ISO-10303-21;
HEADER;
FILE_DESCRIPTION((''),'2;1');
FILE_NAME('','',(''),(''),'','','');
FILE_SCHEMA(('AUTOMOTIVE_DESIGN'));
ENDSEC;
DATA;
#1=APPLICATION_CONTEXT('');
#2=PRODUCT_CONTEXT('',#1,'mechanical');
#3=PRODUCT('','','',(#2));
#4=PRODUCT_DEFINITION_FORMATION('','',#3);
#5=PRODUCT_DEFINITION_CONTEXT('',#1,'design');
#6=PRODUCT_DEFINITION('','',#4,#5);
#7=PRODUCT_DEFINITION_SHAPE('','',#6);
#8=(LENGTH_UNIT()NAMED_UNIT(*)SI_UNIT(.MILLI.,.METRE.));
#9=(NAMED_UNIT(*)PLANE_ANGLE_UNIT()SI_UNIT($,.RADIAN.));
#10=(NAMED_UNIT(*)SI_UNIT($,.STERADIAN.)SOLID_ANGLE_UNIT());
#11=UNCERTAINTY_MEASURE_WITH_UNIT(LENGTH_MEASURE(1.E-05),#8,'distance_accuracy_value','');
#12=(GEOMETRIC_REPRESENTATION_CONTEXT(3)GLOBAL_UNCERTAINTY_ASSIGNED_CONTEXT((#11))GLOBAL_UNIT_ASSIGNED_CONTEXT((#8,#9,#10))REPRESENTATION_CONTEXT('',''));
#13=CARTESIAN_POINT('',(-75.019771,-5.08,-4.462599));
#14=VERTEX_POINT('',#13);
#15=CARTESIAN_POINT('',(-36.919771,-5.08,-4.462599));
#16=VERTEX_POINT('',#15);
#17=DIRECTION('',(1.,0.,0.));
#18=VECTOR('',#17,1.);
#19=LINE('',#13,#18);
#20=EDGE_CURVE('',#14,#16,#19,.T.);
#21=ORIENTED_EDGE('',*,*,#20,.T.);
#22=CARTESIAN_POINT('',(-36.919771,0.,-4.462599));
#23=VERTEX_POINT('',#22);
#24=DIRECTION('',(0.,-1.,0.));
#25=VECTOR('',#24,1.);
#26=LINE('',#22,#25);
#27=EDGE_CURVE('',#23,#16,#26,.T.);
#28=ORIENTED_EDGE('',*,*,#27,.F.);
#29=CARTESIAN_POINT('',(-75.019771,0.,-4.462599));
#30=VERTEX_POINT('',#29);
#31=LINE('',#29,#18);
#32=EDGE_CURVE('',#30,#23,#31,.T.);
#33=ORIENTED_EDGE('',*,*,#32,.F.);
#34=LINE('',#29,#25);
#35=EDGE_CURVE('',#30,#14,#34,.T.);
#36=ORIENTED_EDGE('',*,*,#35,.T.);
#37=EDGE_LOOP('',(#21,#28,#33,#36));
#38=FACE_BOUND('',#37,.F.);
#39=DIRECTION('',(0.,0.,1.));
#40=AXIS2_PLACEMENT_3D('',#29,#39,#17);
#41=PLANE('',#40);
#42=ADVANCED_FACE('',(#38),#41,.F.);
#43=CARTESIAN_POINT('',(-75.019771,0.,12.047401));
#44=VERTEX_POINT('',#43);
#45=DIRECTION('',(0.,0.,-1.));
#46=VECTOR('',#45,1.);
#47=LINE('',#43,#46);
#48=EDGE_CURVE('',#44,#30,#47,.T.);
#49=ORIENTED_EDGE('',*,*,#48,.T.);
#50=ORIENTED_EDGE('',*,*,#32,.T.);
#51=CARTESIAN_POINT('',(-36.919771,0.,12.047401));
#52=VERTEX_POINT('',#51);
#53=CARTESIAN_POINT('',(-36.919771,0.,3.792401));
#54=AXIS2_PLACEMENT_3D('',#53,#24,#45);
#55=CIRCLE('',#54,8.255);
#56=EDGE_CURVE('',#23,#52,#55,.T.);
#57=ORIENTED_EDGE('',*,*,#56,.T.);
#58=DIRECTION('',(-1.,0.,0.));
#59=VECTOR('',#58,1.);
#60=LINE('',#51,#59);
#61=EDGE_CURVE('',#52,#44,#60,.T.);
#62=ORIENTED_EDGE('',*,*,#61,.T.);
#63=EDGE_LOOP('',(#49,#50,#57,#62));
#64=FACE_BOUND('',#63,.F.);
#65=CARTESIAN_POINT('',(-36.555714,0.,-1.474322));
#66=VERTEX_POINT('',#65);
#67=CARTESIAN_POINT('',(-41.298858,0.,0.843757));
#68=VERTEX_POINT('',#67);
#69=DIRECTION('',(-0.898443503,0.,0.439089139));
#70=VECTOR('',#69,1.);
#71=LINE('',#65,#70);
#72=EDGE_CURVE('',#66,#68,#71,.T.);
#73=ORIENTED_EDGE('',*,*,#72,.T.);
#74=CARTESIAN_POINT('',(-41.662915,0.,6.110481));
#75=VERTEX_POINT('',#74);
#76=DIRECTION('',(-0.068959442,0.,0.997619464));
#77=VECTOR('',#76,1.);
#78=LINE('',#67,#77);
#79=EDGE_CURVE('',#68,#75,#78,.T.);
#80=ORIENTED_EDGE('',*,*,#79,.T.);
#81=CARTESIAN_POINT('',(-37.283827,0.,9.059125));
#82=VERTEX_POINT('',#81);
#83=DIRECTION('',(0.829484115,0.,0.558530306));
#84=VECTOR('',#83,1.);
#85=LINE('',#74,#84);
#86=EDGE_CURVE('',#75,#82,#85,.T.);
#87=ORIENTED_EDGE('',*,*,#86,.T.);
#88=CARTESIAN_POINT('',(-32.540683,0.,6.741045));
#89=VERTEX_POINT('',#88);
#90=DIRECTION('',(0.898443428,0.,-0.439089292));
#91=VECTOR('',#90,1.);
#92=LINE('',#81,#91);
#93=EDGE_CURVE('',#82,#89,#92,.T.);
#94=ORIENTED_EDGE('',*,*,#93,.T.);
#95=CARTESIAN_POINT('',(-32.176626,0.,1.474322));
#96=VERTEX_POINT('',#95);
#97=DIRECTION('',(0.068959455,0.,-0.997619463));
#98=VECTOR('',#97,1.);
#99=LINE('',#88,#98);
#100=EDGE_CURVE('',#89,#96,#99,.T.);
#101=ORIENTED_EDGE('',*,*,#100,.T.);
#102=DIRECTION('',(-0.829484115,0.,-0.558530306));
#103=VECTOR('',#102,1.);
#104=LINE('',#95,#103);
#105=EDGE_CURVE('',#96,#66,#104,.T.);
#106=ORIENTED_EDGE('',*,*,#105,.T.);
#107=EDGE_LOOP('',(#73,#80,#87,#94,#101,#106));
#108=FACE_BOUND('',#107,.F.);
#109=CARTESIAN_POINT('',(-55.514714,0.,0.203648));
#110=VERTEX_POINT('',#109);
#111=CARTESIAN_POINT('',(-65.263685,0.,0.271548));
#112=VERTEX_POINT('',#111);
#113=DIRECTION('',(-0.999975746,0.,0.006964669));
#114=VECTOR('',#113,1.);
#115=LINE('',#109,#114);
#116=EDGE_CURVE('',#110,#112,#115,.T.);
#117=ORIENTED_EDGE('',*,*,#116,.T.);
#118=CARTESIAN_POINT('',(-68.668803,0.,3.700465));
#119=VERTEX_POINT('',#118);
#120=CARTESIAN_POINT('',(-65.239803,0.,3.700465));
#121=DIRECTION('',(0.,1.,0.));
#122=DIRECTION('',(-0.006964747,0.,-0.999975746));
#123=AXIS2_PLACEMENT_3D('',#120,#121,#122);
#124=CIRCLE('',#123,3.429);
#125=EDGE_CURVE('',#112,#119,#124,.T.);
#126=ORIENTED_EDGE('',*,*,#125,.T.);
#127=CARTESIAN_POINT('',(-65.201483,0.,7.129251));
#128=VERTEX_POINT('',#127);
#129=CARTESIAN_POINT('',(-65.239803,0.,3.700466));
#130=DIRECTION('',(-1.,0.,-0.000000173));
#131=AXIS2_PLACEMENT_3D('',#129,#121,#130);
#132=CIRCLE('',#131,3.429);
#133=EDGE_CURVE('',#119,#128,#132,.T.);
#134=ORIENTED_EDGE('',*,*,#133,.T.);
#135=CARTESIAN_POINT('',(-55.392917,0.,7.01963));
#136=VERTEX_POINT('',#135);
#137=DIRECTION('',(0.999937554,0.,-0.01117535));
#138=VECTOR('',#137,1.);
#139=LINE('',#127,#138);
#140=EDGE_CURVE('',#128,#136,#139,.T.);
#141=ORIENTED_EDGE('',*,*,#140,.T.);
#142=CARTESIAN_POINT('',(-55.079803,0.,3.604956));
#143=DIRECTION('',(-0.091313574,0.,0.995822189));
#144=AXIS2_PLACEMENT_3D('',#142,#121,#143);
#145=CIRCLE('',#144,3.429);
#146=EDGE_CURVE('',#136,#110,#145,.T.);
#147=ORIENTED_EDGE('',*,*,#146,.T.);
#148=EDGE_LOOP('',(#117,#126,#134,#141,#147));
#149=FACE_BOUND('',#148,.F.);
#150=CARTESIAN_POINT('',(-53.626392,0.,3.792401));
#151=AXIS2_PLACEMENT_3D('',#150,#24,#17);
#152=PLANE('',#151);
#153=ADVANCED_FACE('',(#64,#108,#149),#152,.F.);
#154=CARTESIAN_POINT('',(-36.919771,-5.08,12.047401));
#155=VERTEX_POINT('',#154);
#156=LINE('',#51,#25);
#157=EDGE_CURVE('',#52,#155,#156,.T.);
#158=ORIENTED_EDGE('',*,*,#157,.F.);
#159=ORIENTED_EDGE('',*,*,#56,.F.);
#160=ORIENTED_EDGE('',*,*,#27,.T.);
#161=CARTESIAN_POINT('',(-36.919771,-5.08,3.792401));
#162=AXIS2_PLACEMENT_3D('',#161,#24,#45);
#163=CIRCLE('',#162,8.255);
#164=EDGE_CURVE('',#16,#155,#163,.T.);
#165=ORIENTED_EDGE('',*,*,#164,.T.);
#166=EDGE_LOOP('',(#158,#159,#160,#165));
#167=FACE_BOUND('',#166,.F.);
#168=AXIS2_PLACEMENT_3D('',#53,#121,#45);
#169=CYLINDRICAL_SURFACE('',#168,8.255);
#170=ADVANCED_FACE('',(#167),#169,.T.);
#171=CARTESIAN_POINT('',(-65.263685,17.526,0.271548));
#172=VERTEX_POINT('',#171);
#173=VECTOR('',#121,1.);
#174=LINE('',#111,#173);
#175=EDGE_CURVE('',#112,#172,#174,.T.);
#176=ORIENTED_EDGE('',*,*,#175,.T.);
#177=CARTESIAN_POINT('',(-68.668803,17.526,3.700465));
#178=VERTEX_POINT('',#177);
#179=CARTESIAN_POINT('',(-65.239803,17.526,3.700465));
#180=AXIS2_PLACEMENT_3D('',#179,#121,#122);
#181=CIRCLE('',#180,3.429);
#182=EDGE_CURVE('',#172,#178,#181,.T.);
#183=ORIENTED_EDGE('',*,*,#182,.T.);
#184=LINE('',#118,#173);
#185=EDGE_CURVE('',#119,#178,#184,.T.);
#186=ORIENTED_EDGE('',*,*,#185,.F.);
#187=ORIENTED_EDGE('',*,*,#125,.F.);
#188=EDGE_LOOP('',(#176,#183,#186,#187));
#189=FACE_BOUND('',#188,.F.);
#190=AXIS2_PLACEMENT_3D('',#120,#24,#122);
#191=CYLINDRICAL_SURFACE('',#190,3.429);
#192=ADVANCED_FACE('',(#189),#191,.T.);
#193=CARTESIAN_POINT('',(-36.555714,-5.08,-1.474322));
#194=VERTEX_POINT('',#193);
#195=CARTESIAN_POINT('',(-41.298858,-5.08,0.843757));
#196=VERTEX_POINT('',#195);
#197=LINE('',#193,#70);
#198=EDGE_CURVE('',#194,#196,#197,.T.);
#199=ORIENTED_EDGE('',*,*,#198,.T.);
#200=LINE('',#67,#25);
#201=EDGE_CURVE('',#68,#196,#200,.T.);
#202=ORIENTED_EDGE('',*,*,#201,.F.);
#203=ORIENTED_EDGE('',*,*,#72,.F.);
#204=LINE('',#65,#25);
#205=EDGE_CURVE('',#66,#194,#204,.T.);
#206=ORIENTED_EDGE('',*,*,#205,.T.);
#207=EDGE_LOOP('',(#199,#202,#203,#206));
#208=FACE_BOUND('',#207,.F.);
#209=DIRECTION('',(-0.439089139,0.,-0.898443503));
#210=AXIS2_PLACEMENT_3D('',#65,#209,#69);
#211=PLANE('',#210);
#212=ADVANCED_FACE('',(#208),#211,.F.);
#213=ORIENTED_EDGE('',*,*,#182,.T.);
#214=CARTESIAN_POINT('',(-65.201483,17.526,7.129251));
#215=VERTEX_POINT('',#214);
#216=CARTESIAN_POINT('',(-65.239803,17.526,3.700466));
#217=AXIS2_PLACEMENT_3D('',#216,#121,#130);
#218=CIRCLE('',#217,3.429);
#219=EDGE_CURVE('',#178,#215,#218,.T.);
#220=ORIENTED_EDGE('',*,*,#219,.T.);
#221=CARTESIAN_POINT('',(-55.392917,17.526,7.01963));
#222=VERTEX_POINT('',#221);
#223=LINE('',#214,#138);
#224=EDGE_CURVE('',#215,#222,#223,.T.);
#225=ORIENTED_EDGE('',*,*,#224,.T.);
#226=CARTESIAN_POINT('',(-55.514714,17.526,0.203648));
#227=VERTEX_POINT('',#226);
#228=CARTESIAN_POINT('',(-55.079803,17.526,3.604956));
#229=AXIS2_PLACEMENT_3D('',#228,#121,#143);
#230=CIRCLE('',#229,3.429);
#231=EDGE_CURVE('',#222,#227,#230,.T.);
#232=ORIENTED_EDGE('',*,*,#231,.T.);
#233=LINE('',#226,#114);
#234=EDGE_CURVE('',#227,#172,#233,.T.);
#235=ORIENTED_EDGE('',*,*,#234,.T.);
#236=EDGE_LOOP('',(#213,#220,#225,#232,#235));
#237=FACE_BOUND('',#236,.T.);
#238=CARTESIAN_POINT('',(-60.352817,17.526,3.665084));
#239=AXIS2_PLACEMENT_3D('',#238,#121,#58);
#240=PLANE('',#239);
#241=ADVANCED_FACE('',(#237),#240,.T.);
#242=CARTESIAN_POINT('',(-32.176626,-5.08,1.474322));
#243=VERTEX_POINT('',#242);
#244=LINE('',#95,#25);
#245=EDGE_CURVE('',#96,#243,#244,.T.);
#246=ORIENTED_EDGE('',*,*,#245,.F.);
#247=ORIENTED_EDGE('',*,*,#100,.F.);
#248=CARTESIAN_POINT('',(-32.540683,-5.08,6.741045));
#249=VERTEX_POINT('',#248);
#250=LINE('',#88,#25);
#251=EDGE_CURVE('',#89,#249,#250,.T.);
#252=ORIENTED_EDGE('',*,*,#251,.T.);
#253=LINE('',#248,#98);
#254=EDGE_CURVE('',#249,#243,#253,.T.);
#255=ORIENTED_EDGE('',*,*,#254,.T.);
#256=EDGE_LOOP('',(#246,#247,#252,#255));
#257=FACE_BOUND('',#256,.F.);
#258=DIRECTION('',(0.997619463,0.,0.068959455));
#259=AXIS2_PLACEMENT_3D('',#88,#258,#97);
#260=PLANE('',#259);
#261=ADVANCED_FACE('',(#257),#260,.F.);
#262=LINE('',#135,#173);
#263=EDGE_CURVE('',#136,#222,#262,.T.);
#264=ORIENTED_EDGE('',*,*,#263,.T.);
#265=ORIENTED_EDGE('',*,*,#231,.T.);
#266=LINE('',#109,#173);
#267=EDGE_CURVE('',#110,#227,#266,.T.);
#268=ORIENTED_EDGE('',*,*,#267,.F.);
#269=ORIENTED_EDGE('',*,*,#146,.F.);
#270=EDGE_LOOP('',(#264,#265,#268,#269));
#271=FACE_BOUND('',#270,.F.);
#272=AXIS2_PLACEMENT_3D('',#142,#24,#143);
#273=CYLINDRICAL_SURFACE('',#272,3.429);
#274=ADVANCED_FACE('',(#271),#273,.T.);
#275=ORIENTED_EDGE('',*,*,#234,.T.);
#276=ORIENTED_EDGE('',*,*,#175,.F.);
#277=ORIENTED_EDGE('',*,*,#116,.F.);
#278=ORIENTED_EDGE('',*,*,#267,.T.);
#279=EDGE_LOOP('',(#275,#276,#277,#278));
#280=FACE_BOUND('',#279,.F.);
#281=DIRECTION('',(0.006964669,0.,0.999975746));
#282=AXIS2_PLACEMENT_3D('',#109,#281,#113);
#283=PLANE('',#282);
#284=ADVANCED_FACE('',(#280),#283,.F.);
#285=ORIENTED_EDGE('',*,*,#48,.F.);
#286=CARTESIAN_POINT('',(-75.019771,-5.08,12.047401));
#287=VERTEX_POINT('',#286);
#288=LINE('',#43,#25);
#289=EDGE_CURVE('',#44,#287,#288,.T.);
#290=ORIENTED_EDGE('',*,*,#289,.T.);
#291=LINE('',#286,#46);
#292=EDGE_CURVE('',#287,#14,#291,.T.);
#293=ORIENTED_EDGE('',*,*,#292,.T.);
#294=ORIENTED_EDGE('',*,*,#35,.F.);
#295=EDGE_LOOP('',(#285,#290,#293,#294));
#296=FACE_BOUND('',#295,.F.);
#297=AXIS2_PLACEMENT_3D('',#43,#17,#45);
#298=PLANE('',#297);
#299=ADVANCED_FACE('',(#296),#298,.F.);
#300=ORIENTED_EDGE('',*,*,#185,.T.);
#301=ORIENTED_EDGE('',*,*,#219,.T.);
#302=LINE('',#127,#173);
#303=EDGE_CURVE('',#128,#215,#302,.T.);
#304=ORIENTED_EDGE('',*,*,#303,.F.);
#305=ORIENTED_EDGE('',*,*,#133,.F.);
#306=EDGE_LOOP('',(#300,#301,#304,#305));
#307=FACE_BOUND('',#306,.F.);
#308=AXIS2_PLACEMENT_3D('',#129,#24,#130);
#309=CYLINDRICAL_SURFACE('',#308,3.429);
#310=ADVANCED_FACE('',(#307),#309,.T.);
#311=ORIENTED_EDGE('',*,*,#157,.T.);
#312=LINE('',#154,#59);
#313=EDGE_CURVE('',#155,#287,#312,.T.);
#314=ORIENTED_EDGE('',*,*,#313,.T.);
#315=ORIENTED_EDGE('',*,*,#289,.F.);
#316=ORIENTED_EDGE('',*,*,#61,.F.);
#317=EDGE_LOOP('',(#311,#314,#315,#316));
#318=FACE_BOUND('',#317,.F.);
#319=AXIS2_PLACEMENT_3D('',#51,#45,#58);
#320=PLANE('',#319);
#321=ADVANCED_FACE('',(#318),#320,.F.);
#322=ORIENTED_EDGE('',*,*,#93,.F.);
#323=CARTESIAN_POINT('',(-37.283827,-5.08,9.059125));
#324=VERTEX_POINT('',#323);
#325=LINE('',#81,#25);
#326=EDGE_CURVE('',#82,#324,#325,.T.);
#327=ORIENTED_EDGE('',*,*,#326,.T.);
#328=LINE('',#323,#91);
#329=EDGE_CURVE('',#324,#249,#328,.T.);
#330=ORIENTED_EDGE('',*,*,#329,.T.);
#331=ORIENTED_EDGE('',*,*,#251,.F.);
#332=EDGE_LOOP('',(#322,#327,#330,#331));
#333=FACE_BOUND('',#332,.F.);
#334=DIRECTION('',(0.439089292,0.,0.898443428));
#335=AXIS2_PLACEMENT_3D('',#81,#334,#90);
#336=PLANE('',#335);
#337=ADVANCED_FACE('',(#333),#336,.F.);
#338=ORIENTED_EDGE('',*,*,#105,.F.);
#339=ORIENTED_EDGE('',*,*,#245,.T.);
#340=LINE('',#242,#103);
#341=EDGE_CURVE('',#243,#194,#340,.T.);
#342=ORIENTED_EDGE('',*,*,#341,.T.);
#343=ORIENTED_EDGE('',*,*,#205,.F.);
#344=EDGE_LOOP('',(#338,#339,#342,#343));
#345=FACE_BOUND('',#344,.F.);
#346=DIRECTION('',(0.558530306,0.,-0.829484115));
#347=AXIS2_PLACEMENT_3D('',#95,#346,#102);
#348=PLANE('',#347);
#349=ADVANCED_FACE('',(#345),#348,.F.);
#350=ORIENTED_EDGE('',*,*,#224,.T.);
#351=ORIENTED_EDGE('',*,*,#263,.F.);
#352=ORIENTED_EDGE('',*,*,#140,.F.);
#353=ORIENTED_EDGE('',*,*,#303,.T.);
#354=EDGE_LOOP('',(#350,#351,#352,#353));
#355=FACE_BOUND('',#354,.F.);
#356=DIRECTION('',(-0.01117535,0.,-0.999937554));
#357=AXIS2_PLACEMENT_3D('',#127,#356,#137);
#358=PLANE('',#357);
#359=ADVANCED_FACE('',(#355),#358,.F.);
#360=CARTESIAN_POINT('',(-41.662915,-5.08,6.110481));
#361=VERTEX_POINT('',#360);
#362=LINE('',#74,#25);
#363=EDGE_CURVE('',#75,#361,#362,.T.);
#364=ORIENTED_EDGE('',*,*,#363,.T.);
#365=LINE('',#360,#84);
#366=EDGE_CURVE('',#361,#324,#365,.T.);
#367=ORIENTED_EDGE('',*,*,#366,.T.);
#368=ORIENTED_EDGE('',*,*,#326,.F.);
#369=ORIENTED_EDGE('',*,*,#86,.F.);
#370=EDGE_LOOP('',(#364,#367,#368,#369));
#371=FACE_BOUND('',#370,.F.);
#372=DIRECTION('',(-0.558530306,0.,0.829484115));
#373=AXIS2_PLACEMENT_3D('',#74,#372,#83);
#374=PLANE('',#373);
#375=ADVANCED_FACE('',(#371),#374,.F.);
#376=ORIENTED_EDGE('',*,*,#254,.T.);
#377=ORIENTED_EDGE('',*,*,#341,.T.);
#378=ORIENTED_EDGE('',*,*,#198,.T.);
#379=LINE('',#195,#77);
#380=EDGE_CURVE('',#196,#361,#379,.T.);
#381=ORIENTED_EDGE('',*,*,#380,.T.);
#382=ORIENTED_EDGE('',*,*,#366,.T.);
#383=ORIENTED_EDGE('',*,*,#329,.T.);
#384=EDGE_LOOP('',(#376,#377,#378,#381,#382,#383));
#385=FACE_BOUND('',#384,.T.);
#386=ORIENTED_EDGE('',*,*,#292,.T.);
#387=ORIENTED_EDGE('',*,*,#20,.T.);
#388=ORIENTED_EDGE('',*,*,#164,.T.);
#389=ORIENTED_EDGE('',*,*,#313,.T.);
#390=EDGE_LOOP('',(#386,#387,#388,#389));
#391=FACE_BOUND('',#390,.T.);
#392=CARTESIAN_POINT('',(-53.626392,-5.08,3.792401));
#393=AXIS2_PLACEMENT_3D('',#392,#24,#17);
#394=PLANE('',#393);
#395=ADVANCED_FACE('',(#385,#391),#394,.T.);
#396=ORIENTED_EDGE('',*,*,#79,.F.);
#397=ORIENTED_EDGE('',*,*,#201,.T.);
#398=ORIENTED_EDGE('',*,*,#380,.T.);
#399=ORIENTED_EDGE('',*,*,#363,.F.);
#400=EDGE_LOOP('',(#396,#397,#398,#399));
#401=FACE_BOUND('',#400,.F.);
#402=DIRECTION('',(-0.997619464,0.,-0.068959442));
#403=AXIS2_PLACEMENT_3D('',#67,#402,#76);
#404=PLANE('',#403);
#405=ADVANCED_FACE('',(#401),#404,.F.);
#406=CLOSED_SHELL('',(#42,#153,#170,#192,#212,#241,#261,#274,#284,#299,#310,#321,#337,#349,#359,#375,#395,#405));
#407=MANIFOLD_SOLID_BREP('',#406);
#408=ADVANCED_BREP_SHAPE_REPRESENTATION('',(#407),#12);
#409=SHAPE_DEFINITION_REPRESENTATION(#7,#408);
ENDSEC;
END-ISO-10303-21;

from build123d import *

# Parameters (mm, degrees)
F1_DEPTH = 5.08
F3_DEPTH = 17.526


with BuildPart() as f1:
    # F0 (on Front) → F1 (new body)
    with BuildSketch(Plane.XZ):
        with BuildLine():
            Line((-36.919771, 12.047401), (-75.019771, 12.047401))
            Line((-75.019771, 12.047401), (-75.019771, -4.462599))
            Line((-75.019771, -4.462599), (-36.919771, -4.462599))
            ThreePointArc((-36.919771, -4.462599), (-28.664771, 3.792401), (-36.919771, 12.047401))
        make_face()
        Polygon((-32.540683, 6.741045), (-32.176626, 1.474322), (-36.555714, -1.474322), (-41.298858, 0.843757), (-41.662915, 6.110481), (-37.283827, 9.059125), align=None, mode=Mode.SUBTRACT)
    extrude(amount=F1_DEPTH)

    # F2 (on face) → F3 (join)
    with BuildSketch(Plane(origin=(0, 0, 0), x_dir=(-1, 0, 0), z_dir=(0, 1, 0))):
        with BuildLine():
            ThreePointArc((65.263685, 0.271548), (61.810944, 3.669364), (65.201483, 7.129251))
            Line((65.201483, 7.129251), (55.392917, 7.01963))
            ThreePointArc((55.392917, 7.01963), (57.612757, 5.916273), (58.508803, 3.604956))
            ThreePointArc((58.508803, 3.604956), (57.653648, 1.339262), (55.514714, 0.203648))
            Line((55.514714, 0.203648), (65.263685, 0.271548))
        make_face()
        with BuildLine():
            ThreePointArc((58.508803, 3.604956), (57.612757, 5.916273), (55.392917, 7.01963))
            ThreePointArc((55.392917, 7.01963), (51.65135, 3.543692), (55.514714, 0.203648))
            ThreePointArc((55.514714, 0.203648), (57.653648, 1.339262), (58.508803, 3.604956))
        make_face()
        with BuildLine():
            ThreePointArc((65.263685, 0.271548), (67.672901, 1.284254), (68.668803, 3.700465))
            ThreePointArc((68.668803, 3.700465), (67.650886, 6.138645), (65.201483, 7.129251))
            ThreePointArc((65.201483, 7.129251), (61.810944, 3.669364), (65.263685, 0.271548))
        make_face()
    extrude(amount=F3_DEPTH)


solid = f1.part
